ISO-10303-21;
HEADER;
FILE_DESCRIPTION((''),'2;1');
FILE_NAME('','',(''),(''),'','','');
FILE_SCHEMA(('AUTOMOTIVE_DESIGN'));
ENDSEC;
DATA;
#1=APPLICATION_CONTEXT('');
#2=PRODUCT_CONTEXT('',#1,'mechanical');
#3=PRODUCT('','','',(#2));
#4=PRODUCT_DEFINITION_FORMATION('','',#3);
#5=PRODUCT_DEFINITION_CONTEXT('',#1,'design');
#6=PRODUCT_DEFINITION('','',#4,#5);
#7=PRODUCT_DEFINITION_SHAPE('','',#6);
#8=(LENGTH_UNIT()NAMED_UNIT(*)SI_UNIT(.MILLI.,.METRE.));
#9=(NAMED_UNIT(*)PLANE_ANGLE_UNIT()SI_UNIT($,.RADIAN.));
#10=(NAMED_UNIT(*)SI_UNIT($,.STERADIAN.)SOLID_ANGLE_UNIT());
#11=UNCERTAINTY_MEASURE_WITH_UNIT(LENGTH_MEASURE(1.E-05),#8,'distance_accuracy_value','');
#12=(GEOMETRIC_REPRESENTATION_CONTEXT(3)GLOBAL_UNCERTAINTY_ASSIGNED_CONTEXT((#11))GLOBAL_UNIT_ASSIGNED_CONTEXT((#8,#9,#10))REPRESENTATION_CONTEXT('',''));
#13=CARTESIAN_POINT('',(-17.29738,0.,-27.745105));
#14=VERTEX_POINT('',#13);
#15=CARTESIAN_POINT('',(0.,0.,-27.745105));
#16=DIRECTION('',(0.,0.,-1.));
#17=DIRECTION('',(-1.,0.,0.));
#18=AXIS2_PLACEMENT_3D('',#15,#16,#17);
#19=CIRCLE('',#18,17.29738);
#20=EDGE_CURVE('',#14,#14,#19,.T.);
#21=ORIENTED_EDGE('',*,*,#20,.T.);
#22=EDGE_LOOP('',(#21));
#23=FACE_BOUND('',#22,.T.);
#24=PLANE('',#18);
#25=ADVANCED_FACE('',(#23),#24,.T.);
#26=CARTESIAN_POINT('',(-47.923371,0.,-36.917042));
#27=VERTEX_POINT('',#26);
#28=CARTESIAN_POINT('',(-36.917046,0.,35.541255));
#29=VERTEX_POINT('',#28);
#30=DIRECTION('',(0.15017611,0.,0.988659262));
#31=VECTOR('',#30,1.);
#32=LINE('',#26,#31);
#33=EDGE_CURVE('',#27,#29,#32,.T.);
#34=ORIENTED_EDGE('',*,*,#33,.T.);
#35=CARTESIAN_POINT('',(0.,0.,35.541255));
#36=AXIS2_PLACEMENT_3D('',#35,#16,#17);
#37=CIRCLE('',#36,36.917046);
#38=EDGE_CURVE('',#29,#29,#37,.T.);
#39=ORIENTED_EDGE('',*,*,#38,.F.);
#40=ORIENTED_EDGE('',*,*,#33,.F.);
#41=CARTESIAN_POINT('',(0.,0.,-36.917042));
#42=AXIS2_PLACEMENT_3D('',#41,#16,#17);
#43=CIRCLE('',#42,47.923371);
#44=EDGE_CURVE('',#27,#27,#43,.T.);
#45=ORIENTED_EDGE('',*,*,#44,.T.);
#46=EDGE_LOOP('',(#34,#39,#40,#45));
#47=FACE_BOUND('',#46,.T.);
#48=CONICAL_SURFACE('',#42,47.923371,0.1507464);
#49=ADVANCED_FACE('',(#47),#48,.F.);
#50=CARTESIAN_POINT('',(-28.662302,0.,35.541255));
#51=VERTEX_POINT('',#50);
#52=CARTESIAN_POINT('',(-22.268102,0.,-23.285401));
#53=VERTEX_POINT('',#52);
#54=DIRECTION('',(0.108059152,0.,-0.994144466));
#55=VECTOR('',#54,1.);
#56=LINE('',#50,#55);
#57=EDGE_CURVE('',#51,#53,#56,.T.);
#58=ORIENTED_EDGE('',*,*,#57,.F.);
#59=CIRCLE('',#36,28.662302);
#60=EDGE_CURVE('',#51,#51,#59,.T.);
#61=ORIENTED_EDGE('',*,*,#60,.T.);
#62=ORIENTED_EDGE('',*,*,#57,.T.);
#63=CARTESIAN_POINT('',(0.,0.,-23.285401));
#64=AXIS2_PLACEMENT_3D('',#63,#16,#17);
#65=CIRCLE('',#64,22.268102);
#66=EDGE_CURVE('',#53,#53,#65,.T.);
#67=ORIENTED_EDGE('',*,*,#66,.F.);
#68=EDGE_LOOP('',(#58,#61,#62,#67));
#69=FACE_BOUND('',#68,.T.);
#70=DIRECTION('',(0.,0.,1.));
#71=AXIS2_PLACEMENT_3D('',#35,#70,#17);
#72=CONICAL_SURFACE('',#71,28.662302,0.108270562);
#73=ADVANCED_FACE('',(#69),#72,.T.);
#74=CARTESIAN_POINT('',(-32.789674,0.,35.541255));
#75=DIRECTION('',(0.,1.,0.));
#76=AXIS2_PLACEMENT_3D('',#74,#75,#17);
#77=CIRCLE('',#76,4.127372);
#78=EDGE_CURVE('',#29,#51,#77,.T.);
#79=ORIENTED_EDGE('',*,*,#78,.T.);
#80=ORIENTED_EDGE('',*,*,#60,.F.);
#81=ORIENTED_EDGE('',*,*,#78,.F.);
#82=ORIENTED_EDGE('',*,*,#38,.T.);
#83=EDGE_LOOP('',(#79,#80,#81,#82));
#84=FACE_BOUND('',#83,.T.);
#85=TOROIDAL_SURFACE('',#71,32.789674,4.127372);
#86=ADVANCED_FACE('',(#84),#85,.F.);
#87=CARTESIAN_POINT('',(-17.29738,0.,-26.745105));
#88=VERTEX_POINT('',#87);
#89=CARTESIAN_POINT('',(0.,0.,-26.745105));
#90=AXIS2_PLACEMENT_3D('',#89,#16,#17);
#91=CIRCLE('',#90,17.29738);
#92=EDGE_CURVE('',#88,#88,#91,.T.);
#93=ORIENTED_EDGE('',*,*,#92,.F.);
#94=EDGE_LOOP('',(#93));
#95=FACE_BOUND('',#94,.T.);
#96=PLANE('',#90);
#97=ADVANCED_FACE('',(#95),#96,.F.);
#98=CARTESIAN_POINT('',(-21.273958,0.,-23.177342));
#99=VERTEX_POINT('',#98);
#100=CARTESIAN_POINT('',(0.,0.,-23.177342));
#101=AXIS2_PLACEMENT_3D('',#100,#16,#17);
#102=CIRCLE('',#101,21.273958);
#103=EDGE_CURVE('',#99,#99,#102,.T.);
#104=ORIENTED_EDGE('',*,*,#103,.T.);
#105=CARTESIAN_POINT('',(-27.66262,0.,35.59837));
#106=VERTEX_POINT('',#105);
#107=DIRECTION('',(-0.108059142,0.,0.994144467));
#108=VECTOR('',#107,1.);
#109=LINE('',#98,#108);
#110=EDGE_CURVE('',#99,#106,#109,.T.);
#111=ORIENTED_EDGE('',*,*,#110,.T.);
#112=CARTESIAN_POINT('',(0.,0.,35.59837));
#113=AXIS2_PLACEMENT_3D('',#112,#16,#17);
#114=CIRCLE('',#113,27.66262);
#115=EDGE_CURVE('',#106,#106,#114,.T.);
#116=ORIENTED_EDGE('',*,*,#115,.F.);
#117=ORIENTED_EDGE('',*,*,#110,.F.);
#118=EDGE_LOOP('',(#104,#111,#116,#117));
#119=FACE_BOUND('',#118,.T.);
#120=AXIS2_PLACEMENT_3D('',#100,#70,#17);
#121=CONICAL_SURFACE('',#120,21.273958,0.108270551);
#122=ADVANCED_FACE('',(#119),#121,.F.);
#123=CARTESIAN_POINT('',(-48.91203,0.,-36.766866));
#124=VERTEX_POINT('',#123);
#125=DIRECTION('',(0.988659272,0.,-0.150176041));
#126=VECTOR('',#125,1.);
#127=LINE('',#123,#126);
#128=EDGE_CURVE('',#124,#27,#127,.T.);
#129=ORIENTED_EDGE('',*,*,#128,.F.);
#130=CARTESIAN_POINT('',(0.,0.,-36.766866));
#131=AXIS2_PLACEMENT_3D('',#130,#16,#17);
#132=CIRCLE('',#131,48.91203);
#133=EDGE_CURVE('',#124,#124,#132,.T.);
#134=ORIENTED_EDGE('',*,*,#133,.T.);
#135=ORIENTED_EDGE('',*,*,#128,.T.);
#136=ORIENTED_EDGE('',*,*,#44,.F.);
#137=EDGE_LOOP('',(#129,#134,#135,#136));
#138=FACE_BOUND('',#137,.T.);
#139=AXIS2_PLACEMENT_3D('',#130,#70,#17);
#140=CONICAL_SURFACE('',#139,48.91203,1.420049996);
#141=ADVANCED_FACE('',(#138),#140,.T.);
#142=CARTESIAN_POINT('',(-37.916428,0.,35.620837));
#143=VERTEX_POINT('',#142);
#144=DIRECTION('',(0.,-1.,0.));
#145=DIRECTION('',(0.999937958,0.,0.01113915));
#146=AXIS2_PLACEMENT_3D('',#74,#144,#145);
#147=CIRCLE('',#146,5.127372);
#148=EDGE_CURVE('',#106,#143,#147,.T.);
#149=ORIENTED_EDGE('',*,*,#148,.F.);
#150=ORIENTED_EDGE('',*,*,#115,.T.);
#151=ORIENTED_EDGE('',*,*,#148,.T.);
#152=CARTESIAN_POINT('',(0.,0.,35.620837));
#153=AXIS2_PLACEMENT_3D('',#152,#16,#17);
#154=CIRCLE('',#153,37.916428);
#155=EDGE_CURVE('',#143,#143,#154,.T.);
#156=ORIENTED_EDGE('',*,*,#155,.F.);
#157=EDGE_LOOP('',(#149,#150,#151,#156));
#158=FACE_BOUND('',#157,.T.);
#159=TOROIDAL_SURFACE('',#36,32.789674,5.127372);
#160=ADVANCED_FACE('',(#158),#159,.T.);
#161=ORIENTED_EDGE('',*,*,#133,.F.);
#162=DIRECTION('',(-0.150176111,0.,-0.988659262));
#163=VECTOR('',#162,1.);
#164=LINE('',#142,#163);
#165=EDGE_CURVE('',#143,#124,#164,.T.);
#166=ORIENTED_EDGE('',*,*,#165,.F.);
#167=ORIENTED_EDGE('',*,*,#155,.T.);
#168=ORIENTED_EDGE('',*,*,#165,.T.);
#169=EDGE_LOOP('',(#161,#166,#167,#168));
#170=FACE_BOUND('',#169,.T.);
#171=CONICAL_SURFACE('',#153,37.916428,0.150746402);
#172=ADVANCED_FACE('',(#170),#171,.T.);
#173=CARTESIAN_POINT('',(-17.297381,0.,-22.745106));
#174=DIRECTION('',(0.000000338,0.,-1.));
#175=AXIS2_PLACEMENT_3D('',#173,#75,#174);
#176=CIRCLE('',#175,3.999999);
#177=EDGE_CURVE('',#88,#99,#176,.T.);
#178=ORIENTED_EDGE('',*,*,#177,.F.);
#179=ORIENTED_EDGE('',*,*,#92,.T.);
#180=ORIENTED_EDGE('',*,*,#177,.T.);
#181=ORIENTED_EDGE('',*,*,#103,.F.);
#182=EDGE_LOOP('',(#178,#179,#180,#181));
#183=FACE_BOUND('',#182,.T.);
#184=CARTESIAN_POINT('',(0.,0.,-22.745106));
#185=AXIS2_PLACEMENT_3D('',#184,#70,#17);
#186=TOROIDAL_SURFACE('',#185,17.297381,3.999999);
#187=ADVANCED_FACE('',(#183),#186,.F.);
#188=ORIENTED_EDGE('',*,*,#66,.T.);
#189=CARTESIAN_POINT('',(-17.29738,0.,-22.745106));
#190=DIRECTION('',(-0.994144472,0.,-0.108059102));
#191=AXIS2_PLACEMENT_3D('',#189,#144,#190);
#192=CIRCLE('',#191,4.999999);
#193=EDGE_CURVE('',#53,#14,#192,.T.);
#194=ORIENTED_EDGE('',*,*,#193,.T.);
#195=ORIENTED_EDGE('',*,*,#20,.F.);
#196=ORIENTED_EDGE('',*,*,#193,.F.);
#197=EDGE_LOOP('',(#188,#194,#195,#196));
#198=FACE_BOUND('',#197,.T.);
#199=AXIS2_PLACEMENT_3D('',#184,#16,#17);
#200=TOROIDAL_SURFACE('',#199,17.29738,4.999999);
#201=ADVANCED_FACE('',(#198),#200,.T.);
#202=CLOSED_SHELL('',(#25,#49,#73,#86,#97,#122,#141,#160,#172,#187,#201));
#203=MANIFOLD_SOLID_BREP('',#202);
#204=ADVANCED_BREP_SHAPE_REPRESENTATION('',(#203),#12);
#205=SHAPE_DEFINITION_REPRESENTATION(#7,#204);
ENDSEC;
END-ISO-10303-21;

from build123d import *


with BuildPart() as f1:
    # F0 (on Front) → F1 (revolve)
    with BuildSketch(Plane.XZ):
        with BuildLine():
            Line((-17.29738, -27.745105), (0, -27.745105))
            Line((0, -27.745105), (0, -26.745105))
            Line((0, -26.745105), (-17.29738, -26.745105))
            ThreePointArc((-17.29738, -26.745105), (-19.968621, -25.722432), (-21.273958, -23.177342))
            Line((-21.273958, -23.177342), (-27.66262, 35.59837))
            ThreePointArc((-27.66262, 35.59837), (-32.778439, 40.668615), (-37.916428, 35.620837))
            Line((-37.916428, 35.620837), (-48.91203, -36.766866))
            Line((-48.91203, -36.766866), (-47.923371, -36.917042))
            Line((-47.923371, -36.917042), (-36.917046, 35.541255))
            ThreePointArc((-36.917046, 35.541255), (-32.789674, 39.668627), (-28.662302, 35.541255))
            Line((-28.662302, 35.541255), (-22.268102, -23.285401))
            ThreePointArc((-22.268102, -23.285401), (-20.636431, -26.466763), (-17.29738, -27.745105))
        make_face()
    revolve(axis=Axis((0, 0, -27.245105), (0, 0, -1)))


solid = f1.part
